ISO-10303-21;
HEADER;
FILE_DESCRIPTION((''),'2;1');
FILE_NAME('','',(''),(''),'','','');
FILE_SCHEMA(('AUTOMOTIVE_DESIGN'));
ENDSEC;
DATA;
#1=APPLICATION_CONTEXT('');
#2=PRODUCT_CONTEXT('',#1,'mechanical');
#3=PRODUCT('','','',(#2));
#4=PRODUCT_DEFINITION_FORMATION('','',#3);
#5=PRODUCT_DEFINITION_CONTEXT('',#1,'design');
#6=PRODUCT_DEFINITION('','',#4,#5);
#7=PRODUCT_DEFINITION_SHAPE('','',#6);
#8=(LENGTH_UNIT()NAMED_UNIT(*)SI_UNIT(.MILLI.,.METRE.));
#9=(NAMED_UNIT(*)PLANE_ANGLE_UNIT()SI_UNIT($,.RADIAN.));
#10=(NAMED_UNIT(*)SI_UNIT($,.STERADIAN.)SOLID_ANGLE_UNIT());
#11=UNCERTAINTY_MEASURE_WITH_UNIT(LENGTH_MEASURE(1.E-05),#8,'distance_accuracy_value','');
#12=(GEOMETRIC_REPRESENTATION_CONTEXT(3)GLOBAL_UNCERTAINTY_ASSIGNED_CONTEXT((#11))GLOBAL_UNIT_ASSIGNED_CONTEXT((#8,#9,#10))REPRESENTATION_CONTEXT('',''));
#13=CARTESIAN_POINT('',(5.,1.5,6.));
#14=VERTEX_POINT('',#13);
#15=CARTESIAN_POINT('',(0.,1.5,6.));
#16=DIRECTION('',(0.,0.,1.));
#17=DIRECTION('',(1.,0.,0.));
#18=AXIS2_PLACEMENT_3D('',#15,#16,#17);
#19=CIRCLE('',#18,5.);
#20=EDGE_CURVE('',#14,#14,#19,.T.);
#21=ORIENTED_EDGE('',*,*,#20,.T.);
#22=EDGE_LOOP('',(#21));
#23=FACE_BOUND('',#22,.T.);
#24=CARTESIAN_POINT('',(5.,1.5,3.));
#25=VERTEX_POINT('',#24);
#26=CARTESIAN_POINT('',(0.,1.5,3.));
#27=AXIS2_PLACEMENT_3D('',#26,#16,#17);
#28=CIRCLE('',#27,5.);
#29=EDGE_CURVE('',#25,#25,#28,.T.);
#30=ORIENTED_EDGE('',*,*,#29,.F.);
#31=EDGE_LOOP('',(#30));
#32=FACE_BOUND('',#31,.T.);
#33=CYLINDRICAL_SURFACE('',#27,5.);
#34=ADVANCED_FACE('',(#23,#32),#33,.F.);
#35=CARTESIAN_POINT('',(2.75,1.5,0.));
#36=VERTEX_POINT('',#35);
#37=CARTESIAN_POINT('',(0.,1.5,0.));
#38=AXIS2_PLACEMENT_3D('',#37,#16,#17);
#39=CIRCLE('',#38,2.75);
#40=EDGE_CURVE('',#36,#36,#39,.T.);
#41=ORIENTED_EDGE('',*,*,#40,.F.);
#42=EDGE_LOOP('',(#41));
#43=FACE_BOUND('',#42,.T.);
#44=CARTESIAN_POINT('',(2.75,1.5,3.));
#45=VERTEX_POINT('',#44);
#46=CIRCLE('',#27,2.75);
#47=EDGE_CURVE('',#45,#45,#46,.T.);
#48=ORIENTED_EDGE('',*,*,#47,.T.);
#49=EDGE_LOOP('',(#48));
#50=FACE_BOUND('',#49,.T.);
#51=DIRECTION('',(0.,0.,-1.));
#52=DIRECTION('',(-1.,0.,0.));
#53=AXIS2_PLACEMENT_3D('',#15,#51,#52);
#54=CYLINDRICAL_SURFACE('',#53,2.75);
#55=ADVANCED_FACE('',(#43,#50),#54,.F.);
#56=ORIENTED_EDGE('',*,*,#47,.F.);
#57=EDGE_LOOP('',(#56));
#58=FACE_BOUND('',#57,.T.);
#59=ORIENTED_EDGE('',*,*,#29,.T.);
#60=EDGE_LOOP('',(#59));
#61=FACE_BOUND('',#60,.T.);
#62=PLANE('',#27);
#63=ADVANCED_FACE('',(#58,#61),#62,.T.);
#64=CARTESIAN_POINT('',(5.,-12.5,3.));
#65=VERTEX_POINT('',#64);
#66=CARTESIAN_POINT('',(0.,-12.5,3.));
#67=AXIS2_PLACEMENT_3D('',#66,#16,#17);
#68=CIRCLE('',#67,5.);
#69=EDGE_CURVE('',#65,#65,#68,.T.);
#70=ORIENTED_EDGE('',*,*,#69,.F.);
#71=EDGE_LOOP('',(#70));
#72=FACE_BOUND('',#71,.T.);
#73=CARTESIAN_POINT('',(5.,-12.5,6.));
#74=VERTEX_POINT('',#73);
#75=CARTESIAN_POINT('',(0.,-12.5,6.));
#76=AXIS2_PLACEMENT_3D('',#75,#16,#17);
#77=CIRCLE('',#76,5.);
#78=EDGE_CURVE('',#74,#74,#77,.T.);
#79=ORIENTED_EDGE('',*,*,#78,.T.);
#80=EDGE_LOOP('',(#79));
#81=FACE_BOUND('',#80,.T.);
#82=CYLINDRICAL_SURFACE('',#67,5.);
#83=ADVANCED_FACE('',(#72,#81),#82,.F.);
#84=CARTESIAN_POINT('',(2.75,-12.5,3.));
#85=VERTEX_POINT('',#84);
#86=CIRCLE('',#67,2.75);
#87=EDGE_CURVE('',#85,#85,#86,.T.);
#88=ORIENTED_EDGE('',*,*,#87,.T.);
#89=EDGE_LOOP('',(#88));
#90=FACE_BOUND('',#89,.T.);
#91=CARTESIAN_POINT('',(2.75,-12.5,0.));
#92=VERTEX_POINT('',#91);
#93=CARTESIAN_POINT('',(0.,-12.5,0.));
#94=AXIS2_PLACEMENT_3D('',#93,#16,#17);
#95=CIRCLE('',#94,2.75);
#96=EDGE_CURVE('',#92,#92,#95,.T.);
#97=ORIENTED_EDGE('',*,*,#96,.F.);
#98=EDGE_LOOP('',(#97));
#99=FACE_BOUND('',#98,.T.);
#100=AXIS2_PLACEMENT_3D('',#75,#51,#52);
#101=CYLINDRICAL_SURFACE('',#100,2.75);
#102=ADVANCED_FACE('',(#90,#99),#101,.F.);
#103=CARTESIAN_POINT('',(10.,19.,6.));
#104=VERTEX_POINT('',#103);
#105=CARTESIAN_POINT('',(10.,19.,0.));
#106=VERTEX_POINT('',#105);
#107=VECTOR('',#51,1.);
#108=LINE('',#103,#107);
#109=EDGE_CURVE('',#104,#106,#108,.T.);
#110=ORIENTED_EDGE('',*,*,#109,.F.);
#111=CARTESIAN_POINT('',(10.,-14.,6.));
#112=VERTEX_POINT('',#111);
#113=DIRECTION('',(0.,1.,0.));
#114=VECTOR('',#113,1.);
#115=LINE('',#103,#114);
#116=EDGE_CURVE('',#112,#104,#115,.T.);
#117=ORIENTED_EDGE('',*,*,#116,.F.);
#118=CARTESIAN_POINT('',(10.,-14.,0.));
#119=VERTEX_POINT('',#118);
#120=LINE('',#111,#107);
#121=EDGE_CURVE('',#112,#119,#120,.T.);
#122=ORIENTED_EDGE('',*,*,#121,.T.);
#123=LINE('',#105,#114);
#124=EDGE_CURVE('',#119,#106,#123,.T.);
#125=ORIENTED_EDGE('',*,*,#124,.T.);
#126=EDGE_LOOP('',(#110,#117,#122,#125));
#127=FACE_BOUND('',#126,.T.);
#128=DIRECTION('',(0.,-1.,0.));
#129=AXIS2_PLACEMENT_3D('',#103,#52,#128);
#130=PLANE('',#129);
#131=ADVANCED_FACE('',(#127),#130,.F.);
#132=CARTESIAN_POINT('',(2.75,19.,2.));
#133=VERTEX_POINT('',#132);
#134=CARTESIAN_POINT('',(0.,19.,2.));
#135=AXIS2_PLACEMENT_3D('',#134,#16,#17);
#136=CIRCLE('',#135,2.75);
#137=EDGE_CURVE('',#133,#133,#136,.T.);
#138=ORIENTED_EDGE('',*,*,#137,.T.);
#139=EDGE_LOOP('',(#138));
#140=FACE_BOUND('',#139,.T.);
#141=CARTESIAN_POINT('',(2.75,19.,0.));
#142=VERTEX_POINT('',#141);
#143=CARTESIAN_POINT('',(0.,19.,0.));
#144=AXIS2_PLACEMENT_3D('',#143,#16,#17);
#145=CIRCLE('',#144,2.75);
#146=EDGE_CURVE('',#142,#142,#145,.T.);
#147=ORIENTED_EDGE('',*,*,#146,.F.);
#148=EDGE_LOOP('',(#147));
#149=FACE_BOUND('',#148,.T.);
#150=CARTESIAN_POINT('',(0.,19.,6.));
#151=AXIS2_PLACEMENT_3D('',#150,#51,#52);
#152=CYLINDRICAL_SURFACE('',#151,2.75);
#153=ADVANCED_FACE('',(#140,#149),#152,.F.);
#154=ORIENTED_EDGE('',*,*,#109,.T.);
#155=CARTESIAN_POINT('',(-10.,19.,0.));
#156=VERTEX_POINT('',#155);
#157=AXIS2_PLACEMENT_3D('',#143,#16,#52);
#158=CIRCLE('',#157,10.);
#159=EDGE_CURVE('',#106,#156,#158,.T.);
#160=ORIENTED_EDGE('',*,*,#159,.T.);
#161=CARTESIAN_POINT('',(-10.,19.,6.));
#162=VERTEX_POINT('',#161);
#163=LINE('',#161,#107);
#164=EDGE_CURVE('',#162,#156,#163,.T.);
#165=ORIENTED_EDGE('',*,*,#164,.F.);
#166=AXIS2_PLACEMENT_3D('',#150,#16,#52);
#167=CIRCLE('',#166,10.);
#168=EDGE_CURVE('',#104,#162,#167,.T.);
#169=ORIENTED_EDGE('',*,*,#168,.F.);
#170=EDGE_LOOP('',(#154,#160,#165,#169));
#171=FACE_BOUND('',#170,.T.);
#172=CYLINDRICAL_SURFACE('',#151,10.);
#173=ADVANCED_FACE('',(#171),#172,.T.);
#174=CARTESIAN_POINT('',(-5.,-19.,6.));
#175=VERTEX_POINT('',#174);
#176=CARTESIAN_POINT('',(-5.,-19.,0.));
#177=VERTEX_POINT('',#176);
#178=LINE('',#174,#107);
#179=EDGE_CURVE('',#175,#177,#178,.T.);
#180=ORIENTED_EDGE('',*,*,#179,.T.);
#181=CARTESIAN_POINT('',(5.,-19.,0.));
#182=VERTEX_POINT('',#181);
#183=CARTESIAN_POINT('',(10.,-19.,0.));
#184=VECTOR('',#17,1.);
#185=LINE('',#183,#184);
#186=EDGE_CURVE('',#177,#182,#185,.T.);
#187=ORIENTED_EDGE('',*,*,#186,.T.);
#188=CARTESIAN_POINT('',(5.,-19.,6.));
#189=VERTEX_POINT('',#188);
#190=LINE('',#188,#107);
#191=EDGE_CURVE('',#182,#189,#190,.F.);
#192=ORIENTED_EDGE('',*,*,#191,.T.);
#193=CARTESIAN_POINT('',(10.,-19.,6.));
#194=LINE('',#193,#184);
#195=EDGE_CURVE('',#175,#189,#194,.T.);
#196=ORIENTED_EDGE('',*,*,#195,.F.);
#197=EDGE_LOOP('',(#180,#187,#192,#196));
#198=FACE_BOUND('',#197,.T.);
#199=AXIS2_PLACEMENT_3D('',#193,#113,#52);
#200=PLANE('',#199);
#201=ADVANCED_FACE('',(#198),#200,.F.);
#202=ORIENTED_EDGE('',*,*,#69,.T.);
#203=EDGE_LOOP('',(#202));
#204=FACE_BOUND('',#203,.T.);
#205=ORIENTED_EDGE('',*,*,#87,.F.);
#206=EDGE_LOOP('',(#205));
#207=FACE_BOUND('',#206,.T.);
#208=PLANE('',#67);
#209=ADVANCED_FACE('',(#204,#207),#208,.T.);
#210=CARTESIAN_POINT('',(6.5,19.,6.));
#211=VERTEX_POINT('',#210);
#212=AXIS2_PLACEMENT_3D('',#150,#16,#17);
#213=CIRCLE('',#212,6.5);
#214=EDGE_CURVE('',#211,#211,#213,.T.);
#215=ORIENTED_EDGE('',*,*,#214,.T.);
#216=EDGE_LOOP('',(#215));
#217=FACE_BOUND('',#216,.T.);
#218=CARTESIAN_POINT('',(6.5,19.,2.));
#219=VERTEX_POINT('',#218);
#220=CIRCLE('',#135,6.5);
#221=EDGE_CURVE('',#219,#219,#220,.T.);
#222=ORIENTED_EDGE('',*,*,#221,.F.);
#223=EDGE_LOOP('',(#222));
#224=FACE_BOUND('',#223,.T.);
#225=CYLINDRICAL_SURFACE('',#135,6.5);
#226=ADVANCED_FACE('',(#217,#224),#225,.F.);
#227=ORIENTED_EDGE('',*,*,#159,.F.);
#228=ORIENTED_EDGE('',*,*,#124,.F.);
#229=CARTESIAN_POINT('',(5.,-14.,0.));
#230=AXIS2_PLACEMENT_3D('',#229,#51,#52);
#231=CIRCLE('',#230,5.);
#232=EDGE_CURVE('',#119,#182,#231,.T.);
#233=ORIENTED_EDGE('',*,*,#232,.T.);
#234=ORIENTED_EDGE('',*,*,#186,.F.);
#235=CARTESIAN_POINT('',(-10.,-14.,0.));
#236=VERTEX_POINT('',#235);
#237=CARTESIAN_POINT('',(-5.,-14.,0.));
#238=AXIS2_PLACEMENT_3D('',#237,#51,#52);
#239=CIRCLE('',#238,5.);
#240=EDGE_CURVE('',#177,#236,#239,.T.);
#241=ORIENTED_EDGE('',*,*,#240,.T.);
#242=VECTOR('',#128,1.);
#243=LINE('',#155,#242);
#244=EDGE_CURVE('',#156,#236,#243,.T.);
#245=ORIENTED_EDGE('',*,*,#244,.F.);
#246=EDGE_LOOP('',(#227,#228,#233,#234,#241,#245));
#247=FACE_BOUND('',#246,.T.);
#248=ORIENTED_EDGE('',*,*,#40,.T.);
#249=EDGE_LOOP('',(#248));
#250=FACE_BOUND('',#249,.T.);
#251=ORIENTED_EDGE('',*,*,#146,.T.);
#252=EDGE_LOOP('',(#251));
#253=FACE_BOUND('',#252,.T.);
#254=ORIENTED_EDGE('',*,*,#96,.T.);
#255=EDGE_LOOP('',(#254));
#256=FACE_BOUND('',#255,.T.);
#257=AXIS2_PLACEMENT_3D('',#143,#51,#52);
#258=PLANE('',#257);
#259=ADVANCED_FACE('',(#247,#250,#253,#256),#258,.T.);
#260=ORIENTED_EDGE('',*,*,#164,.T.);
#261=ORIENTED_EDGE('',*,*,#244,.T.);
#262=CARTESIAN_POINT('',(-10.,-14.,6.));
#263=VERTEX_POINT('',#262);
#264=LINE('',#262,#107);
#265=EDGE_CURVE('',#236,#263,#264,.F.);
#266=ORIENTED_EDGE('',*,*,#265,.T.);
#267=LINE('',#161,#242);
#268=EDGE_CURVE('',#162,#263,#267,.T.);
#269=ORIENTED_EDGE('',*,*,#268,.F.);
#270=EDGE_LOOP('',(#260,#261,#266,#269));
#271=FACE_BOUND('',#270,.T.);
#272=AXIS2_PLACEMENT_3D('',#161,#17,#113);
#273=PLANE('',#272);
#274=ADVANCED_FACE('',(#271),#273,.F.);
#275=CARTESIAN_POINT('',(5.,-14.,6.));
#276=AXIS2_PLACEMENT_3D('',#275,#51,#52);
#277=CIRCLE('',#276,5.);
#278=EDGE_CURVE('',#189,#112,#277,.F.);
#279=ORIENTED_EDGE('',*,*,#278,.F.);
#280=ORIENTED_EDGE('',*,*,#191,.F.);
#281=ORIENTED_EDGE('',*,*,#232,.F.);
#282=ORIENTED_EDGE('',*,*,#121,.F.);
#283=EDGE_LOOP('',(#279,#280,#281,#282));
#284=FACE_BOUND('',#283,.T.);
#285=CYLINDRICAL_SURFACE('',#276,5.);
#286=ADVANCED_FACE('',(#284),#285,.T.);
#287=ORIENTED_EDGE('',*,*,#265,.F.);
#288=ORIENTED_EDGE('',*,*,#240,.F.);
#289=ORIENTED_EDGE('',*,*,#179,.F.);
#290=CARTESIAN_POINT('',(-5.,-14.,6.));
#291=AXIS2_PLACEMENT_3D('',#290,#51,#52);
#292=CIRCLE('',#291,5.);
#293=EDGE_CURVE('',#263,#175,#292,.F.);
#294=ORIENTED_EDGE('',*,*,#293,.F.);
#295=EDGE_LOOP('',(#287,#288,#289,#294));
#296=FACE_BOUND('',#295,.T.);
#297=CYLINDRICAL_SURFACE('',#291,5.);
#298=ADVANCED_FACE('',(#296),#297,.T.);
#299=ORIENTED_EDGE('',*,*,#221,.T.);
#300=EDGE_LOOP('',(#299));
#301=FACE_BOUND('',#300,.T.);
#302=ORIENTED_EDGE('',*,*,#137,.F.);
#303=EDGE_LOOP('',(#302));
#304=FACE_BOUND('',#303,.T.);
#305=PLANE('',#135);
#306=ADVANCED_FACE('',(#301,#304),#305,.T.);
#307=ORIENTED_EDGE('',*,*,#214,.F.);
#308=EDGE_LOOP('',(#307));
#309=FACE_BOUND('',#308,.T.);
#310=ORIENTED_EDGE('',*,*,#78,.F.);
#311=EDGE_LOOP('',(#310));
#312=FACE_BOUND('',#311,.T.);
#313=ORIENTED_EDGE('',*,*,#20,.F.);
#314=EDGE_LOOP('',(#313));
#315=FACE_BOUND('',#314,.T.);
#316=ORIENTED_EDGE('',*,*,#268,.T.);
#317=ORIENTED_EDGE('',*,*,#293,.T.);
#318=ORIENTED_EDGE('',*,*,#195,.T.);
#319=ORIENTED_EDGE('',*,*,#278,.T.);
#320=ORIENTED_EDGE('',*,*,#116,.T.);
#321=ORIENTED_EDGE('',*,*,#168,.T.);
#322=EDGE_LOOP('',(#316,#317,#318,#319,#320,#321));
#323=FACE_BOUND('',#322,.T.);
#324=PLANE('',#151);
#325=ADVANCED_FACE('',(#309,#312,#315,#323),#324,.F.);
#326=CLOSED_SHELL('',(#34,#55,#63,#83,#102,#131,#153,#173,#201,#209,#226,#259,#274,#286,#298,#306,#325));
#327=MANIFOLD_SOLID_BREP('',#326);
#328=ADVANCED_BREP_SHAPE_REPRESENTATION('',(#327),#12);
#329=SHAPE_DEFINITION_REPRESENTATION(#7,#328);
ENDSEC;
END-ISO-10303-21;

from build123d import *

# Parameters (mm, degrees)
SKETCH_2_R          = 2.75
EXTRUDE_1_DEPTH     = 6
SKETCH_3_R          = 5
CUT_EXTRUDE_1_DEPTH = 3
FILLET_1_R          = 5
SKETCH_4_R          = 6.5
CUT_EXTRUDE_2_DEPTH = 4


with BuildPart() as part:
    # Эскиз2 → Бобышка-Вытянуть1 (new body)
    with BuildSketch(Plane.XY):
        with BuildLine():
            Line((10, 19), (10, -19))
            Line((10, -19), (-10, -19))
            Line((-10, -19), (-10, 19))
            ThreePointArc((-10, 19), (0, 29), (10, 19))
        make_face()
        with Locations((0, 1.5)):
            Circle(SKETCH_2_R, mode=Mode.SUBTRACT)
        with Locations((0, -12.5)):
            Circle(SKETCH_2_R, mode=Mode.SUBTRACT)
        with Locations((0, 19)):
            Circle(SKETCH_2_R, mode=Mode.SUBTRACT)
    extrude(amount=EXTRUDE_1_DEPTH)

    # Эскиз3 → Вырез-Вытянуть1 (cut)
    with BuildSketch(Plane.XY.offset(6)):
        with Locations((0, 1.5)):
            Circle(SKETCH_3_R)
        with Locations((0, -12.5)):
            Circle(SKETCH_3_R)
    extrude(amount=-CUT_EXTRUDE_1_DEPTH, mode=Mode.SUBTRACT)

    # Скругление1
    fillet_1_edges = [part.edges().sort_by_distance(p)[0] for p in [
        (10, -19, 3),
        (-10, -19, 3),
    ]]
    fillet(fillet_1_edges, radius=FILLET_1_R)

    # Эскиз4 → Вырез-Вытянуть2 (cut)
    with BuildSketch(Plane.XY.offset(6)):
        with Locations((0, 19)):
            Circle(SKETCH_4_R)
    extrude(amount=-CUT_EXTRUDE_2_DEPTH, mode=Mode.SUBTRACT)


solid = part.part
